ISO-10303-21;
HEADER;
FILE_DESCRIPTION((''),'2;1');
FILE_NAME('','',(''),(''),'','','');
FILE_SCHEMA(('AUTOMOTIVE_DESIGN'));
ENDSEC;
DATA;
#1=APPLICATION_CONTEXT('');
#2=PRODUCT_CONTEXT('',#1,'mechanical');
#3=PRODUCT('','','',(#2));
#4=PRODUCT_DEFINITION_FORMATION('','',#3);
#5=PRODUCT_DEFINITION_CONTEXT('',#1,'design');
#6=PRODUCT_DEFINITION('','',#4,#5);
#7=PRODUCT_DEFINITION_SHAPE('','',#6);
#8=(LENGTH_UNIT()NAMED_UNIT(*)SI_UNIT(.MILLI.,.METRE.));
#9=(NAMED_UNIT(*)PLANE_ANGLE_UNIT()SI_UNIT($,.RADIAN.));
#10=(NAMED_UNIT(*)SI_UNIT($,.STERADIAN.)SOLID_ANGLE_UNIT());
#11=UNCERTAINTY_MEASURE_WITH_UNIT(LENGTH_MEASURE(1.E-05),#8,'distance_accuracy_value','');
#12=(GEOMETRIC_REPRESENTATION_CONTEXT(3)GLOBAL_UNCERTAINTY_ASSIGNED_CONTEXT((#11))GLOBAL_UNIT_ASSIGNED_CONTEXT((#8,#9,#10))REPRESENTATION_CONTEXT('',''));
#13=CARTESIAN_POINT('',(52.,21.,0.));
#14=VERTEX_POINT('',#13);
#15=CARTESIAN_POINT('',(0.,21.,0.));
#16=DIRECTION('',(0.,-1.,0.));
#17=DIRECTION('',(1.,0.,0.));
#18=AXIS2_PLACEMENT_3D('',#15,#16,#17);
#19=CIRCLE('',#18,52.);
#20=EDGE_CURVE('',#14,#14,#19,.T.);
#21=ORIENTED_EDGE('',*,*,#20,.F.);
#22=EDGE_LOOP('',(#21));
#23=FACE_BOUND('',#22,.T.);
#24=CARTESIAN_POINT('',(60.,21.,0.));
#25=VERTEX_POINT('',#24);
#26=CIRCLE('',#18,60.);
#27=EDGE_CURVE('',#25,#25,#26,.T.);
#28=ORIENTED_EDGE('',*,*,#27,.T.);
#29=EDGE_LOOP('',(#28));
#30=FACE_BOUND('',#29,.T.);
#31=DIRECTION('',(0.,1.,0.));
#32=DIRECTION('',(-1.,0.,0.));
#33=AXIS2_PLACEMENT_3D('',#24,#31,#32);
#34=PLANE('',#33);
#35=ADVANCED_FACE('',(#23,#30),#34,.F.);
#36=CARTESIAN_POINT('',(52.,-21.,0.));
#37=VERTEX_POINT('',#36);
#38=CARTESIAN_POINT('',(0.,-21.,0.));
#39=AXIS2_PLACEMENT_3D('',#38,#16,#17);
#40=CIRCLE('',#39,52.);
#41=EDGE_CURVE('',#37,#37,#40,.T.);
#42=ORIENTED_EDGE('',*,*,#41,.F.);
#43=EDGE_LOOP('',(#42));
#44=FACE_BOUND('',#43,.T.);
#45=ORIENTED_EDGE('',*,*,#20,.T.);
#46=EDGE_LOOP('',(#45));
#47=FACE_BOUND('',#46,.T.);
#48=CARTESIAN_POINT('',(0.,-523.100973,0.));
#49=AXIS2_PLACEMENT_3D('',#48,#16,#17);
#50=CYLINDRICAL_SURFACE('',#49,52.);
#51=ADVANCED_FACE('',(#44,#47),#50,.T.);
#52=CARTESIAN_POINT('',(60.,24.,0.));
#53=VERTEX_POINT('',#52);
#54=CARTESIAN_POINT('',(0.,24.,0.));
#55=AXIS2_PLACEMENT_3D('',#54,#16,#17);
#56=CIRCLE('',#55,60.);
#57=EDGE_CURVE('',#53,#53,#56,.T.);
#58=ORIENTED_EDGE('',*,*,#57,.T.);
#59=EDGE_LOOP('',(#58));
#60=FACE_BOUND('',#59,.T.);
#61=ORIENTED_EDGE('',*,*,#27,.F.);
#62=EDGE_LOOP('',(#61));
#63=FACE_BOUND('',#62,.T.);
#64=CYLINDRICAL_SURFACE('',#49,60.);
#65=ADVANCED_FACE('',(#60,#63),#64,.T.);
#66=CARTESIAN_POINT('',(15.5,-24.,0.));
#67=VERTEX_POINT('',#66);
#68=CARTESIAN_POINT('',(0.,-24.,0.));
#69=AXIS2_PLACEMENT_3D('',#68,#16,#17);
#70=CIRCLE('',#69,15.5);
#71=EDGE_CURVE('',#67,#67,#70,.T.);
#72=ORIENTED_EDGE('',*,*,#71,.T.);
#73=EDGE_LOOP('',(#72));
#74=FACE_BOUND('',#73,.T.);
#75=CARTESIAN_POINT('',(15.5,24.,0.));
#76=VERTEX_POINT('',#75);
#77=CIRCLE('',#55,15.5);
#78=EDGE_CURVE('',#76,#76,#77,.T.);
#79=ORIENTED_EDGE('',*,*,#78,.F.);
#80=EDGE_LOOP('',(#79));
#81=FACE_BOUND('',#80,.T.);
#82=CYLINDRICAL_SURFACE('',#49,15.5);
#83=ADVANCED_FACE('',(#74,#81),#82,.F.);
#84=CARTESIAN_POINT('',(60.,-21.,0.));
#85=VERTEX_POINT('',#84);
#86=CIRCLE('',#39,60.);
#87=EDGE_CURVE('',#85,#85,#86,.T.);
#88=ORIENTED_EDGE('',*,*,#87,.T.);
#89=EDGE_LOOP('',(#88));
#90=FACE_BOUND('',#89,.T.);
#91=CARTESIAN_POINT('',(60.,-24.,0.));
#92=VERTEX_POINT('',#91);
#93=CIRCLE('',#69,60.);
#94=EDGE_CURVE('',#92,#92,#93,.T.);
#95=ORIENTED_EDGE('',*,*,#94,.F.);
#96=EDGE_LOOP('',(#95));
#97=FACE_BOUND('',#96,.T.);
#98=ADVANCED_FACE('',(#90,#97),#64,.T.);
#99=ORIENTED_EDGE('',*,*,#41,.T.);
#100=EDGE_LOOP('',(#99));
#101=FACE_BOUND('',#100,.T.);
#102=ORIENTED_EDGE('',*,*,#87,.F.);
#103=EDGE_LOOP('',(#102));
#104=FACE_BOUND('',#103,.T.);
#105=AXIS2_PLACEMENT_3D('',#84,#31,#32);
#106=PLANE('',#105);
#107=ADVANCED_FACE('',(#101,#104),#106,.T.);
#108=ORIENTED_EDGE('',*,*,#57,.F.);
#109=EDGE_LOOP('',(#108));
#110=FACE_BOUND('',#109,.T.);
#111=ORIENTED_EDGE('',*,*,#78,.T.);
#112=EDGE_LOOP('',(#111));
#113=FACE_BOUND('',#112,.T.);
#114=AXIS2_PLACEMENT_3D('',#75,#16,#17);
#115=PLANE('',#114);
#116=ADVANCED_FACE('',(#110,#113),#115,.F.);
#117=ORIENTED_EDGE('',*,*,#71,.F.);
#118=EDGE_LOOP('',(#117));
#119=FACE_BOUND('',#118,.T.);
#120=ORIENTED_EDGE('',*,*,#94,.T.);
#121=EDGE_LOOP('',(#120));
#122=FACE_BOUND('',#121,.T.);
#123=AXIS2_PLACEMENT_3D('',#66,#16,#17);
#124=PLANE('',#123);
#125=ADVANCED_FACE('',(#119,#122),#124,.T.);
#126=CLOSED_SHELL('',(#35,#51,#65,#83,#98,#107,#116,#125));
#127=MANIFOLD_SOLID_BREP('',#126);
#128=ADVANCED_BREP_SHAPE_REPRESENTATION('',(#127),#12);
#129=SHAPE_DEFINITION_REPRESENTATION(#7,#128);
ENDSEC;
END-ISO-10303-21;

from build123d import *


with BuildPart() as part:
    # Sketch1 → Revolve1 (revolve)
    with BuildSketch(Plane.XY):
        Polygon((15.5, 24), (60, 24), (60, 21), (52, 21), (52, -21), (60, -21), (60, -24), (15.5, -24), align=None)
    revolve(axis=Axis((0, -523.100972672, 0), (0, 1, 0)))


solid = part.part
